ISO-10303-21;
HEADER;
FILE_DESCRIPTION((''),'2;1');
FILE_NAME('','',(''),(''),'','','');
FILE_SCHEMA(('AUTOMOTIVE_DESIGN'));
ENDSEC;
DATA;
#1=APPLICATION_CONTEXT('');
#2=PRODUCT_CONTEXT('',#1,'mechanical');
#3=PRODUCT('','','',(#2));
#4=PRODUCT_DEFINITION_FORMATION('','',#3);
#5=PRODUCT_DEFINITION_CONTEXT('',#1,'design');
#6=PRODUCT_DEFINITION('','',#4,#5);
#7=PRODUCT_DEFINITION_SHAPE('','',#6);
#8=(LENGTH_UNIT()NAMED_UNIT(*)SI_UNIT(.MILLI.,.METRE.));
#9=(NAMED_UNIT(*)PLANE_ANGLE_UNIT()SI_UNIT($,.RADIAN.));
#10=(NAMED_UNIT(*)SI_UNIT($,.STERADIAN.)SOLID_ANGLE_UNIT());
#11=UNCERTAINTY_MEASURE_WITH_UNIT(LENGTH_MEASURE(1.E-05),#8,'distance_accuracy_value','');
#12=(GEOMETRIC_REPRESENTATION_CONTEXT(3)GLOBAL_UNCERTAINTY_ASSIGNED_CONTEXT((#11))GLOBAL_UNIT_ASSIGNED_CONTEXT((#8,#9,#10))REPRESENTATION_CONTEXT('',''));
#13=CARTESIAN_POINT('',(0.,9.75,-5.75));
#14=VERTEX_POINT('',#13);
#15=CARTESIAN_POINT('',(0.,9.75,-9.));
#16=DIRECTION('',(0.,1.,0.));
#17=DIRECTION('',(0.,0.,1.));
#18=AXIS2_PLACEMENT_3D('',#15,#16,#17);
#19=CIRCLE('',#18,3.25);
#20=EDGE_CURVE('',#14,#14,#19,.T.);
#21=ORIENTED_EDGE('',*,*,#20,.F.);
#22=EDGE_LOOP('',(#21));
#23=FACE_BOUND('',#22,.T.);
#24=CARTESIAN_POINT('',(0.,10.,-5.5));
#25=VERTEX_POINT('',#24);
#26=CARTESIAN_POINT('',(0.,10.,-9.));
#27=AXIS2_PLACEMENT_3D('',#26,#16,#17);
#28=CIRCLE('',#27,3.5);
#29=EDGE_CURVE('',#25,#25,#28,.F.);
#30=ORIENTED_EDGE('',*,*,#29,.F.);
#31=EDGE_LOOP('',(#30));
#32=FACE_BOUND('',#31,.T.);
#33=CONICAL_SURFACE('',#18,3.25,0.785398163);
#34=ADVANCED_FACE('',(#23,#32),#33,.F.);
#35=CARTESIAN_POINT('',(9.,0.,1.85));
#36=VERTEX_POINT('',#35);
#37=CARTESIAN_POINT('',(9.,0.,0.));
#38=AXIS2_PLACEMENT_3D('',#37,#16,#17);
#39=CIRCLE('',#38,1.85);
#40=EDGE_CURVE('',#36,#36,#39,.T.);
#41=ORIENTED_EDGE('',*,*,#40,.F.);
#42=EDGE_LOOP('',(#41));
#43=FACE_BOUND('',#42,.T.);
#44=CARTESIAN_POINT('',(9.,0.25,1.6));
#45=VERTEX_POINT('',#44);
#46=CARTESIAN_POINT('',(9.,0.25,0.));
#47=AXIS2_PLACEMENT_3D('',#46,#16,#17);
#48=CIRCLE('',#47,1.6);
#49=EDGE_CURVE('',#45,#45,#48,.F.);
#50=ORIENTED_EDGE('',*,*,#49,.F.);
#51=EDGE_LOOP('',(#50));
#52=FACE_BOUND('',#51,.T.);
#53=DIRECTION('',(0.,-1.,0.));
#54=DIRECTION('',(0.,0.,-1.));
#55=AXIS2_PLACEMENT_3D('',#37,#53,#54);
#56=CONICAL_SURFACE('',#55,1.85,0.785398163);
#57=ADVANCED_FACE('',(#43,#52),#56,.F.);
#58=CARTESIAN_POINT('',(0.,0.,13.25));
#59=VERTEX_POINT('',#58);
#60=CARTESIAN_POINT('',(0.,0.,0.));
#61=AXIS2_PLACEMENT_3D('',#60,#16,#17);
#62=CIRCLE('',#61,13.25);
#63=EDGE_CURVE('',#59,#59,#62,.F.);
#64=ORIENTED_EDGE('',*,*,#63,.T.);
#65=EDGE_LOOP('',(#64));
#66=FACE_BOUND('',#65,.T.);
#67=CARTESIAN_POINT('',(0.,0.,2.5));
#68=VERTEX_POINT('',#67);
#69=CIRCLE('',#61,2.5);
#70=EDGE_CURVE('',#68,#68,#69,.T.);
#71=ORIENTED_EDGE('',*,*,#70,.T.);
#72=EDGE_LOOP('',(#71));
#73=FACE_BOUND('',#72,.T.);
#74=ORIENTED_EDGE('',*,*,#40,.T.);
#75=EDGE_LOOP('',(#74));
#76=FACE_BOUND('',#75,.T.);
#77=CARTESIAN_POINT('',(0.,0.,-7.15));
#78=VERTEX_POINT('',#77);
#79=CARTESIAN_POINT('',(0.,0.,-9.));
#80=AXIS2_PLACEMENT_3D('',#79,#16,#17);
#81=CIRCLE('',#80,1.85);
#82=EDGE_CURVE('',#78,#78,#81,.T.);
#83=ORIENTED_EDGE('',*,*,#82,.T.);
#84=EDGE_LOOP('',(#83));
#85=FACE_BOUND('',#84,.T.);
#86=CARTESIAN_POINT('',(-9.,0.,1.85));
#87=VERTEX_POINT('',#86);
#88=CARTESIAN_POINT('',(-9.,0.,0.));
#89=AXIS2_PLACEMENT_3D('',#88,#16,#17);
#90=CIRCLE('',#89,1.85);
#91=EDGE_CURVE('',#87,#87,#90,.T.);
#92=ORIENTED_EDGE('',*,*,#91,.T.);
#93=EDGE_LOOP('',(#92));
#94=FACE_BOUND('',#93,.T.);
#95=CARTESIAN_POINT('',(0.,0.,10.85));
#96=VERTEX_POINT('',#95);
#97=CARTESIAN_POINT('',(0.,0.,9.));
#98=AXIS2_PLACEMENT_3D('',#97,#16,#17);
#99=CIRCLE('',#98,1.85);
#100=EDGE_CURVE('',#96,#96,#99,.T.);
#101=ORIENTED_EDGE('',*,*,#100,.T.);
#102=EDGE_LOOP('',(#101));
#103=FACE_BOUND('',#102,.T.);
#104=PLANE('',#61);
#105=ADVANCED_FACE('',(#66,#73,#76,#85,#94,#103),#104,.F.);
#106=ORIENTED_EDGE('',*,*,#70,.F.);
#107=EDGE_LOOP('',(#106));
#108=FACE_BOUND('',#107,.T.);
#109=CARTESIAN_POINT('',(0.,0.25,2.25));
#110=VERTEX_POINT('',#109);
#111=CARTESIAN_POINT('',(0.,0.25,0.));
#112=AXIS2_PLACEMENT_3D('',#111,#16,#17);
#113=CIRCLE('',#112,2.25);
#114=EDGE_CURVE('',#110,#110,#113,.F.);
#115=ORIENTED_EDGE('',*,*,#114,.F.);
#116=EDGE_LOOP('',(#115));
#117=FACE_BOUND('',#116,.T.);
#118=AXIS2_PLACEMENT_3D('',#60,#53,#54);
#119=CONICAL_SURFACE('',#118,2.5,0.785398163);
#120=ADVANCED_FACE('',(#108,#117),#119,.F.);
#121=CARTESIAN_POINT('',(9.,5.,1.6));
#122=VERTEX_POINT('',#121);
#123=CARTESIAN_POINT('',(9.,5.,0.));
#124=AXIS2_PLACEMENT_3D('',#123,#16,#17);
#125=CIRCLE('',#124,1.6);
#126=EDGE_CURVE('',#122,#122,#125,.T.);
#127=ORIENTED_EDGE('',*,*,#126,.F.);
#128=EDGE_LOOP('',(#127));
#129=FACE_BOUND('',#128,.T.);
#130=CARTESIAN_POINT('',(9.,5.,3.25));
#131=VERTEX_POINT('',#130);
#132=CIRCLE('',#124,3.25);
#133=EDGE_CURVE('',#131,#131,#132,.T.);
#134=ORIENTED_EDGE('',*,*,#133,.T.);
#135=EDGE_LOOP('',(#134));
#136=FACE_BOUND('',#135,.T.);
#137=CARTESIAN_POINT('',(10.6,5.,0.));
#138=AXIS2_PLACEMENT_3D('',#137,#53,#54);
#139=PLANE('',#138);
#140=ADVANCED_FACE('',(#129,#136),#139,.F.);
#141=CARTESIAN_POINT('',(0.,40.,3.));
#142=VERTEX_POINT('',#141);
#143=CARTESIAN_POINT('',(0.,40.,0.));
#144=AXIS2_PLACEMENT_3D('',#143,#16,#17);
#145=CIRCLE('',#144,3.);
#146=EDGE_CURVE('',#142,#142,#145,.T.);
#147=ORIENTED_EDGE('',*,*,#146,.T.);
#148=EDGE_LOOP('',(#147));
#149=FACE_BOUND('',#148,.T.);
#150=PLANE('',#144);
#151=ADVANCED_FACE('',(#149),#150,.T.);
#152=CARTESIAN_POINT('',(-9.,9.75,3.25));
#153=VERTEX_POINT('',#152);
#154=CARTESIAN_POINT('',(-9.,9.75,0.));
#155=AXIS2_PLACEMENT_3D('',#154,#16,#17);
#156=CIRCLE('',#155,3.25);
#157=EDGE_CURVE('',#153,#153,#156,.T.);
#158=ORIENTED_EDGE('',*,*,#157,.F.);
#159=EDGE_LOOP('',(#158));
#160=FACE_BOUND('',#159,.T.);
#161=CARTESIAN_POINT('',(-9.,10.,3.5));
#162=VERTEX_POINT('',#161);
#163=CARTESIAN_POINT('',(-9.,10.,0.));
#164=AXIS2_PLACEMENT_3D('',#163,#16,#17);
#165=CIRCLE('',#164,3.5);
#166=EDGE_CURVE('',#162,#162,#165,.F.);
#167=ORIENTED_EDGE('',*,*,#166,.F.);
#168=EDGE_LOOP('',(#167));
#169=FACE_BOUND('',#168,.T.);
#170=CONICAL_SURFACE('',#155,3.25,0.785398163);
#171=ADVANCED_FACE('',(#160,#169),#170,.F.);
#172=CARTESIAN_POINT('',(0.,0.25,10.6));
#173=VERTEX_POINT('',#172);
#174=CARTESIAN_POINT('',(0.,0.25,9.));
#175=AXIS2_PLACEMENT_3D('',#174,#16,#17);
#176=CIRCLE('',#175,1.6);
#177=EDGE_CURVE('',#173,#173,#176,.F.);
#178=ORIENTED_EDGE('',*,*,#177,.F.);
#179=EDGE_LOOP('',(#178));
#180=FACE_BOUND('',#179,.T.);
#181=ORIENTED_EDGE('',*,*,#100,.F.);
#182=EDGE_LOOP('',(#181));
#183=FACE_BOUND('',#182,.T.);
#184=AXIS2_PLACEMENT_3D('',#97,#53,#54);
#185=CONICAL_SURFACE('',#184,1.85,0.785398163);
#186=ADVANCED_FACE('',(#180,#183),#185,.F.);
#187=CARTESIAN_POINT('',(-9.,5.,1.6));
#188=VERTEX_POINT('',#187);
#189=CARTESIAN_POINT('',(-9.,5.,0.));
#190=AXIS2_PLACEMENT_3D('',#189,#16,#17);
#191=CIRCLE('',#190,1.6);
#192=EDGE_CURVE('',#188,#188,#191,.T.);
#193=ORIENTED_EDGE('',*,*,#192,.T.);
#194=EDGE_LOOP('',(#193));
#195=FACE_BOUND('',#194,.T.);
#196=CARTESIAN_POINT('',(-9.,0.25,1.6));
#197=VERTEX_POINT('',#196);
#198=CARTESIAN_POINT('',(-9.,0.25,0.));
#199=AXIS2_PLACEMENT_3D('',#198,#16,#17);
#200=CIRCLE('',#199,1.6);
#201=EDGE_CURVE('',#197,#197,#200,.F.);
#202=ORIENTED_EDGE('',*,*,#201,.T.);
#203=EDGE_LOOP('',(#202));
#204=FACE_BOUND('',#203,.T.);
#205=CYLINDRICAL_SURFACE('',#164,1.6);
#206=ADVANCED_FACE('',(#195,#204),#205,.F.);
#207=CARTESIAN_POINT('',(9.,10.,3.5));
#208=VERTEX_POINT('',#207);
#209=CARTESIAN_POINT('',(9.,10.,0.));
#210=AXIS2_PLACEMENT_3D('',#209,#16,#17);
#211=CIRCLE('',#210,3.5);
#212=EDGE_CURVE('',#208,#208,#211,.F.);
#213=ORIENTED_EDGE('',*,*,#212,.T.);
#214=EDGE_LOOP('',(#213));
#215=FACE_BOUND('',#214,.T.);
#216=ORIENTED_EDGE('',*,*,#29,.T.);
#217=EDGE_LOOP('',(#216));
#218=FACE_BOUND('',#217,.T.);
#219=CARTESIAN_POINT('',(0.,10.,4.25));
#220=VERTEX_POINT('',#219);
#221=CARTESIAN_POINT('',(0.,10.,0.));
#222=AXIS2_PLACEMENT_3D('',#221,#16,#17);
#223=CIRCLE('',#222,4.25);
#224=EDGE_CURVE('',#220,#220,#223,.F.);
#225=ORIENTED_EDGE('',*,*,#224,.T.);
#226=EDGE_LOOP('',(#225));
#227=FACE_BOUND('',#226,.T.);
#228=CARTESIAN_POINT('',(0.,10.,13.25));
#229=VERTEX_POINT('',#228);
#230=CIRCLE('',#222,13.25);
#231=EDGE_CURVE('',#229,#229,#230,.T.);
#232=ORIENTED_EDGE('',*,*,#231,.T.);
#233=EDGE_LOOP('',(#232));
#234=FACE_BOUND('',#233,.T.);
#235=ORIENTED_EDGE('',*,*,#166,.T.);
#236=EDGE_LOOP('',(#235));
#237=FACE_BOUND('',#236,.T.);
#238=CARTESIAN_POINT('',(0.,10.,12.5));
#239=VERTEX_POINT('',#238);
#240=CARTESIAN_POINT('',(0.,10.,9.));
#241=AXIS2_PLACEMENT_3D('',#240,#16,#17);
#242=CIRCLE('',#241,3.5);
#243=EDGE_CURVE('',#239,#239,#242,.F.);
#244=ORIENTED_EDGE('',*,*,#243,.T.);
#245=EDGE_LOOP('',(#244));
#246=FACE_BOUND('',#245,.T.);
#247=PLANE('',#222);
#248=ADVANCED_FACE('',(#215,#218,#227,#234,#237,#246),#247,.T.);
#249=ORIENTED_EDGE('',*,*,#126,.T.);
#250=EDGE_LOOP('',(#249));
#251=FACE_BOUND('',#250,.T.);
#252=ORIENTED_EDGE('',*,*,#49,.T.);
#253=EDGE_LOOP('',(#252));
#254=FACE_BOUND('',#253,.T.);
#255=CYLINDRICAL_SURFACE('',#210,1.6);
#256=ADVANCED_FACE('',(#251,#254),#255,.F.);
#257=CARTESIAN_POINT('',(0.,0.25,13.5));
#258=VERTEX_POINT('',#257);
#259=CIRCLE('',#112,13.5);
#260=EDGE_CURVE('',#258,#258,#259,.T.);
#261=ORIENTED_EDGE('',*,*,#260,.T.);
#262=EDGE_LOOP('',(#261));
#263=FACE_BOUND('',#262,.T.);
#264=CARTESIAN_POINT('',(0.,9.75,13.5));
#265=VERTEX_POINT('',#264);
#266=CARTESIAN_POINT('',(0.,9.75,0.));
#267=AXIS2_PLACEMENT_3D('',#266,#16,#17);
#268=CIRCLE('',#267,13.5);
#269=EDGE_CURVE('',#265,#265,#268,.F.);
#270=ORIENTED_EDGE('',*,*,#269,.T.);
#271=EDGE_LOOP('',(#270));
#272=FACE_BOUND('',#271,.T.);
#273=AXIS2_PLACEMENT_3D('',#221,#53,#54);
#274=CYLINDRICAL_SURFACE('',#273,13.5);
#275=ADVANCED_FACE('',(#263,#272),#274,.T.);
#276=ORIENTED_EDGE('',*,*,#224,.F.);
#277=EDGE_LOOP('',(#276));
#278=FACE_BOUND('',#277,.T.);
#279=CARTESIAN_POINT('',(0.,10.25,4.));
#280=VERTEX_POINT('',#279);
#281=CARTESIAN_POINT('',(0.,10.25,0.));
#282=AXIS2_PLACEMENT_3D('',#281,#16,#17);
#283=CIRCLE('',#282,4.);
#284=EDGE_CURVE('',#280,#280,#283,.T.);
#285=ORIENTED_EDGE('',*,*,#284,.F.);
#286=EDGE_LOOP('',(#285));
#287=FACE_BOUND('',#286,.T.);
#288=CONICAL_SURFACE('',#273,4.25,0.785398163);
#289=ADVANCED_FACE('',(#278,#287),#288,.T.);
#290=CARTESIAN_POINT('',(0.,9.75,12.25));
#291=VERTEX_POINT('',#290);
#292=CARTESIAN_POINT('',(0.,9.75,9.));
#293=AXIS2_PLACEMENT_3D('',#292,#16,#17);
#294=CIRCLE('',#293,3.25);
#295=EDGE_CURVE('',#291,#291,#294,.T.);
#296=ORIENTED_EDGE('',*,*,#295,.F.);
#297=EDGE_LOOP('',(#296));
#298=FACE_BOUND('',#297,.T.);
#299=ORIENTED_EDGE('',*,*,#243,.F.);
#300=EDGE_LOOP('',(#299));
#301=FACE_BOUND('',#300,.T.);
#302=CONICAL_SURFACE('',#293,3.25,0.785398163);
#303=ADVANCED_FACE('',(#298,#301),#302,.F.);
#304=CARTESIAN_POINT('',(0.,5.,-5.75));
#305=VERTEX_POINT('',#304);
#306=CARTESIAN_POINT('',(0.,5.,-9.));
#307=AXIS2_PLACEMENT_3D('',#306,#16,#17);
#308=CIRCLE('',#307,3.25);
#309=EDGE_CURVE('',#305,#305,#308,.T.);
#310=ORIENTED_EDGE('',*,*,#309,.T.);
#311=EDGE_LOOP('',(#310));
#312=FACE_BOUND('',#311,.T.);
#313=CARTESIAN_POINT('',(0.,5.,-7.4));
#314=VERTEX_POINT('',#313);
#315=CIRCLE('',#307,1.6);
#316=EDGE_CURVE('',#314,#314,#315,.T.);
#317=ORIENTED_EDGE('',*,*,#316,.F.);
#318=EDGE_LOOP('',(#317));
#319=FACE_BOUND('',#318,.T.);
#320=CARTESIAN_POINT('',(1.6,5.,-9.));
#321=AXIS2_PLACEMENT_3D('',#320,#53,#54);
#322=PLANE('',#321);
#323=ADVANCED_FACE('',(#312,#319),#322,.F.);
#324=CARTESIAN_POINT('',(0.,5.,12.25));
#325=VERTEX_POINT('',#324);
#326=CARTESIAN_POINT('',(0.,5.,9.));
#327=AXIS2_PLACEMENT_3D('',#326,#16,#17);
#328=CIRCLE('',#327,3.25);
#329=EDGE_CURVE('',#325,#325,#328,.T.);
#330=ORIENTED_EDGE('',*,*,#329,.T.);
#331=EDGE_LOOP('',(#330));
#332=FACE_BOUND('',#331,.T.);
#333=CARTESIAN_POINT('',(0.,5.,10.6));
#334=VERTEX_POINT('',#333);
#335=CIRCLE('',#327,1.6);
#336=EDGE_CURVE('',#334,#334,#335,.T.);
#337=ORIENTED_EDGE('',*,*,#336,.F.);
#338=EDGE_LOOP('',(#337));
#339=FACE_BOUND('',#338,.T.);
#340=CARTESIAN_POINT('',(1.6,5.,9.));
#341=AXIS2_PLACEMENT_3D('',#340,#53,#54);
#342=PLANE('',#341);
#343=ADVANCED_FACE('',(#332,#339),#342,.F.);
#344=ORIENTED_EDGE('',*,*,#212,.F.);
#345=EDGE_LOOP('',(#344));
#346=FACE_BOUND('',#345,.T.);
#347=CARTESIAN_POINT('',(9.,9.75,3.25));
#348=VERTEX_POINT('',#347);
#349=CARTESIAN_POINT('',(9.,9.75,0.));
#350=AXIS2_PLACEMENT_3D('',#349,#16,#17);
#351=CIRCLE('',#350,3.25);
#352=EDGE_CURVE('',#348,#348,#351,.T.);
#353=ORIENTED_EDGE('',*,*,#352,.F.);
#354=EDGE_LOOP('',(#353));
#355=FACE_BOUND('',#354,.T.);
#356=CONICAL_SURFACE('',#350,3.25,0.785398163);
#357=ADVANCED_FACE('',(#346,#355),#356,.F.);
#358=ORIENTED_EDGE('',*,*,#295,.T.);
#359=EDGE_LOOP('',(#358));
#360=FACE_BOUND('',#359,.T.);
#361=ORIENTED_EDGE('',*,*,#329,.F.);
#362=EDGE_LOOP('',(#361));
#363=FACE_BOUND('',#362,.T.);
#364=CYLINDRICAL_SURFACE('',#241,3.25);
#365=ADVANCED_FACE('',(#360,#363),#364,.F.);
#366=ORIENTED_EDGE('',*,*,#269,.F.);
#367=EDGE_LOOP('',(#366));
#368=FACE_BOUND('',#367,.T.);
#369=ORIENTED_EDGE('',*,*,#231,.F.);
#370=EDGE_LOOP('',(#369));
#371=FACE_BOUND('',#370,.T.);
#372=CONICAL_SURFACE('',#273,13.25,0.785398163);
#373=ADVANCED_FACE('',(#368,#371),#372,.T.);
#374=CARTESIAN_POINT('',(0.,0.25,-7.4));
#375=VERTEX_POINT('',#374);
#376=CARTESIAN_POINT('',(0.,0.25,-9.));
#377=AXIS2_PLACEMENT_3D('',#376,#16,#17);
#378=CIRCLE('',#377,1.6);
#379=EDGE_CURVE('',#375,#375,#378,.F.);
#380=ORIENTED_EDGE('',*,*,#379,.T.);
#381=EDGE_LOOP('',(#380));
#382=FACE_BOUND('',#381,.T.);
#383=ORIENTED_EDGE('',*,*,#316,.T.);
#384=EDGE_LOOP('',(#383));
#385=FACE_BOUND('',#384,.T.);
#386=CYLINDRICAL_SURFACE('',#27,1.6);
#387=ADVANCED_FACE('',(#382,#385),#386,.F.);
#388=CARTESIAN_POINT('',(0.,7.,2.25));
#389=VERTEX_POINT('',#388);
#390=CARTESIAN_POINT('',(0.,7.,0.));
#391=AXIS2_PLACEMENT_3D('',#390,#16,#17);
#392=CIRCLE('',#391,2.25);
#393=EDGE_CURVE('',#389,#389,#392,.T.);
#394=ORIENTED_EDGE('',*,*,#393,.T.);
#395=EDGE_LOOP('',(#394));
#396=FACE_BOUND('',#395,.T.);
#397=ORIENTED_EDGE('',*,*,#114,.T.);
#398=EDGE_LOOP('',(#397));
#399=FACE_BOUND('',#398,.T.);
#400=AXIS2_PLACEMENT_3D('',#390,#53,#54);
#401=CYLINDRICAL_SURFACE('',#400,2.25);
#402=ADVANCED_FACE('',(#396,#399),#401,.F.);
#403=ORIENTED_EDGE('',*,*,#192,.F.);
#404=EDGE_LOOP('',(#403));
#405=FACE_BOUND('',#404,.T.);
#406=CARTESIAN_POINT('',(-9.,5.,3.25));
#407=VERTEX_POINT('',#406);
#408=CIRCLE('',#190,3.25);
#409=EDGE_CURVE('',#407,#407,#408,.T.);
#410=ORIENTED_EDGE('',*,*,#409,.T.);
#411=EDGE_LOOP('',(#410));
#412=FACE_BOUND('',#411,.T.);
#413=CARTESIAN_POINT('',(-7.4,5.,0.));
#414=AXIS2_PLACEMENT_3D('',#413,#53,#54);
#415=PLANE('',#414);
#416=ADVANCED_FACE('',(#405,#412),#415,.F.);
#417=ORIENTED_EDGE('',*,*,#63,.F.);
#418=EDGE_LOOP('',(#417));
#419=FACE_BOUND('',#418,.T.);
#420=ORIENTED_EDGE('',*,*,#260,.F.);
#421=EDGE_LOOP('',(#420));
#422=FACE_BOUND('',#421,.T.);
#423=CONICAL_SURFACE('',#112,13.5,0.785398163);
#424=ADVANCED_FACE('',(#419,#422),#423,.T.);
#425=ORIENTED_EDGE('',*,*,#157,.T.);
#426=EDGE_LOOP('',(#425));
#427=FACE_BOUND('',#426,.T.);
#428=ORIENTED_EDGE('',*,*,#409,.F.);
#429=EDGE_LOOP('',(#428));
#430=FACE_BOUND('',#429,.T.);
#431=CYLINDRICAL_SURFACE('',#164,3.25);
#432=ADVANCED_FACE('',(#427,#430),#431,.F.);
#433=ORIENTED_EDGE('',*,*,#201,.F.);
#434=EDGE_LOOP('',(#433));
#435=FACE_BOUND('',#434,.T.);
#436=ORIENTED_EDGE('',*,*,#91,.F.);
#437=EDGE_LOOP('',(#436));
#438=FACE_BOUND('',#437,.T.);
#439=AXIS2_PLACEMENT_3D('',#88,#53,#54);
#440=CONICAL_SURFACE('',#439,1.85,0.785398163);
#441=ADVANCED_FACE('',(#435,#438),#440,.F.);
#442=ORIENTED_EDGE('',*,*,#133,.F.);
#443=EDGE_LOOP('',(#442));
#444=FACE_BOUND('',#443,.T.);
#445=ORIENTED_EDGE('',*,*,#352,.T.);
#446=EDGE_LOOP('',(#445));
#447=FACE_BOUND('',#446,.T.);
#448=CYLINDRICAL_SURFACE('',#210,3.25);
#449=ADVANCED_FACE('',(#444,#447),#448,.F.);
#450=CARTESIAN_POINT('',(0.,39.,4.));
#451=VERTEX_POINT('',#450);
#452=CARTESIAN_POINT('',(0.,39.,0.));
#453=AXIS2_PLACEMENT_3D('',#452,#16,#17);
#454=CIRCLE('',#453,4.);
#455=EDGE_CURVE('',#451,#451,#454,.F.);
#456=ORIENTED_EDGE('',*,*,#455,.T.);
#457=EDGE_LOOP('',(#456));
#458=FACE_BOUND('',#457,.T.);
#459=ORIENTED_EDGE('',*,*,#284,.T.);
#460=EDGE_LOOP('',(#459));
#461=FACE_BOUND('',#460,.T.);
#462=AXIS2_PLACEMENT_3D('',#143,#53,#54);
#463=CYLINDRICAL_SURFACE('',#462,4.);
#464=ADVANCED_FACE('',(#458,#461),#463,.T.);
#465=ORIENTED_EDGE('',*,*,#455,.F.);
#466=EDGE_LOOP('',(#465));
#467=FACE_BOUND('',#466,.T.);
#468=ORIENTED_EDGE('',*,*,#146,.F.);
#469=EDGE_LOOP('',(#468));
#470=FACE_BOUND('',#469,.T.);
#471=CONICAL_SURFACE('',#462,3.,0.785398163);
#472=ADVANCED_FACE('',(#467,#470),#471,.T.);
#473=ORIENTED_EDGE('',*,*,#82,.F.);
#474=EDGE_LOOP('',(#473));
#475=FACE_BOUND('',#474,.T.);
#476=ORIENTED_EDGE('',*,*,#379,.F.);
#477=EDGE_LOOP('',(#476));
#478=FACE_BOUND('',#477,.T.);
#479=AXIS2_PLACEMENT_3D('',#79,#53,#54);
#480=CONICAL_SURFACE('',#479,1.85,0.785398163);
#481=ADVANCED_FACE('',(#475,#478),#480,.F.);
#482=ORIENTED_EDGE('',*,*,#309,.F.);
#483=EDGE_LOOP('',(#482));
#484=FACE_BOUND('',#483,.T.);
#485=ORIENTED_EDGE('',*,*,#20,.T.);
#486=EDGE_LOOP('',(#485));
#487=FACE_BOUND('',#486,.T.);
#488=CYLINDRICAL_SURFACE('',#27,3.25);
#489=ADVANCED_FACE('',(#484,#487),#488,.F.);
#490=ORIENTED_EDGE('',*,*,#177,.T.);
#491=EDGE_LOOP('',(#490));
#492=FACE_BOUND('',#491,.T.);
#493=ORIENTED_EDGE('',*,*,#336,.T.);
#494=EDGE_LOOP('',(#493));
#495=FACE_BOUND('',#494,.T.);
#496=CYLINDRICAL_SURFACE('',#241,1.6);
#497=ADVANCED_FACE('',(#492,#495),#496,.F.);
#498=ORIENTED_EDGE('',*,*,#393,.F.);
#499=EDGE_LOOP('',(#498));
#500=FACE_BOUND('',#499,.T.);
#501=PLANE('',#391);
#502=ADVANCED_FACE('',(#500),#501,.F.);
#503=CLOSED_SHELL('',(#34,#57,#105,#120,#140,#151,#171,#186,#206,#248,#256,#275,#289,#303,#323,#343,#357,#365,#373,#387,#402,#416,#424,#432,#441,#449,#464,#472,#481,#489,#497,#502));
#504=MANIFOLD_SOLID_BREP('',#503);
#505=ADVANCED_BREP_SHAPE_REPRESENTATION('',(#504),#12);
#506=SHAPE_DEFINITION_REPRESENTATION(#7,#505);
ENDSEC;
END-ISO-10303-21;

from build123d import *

# Parameters (mm, degrees)
SKETCH2_R                      = 13.5
BOSS_EXTRUDE1_DEPTH            = 10
SKETCH3_R                      = 4
BOSS_EXTRUDE2_DEPTH            = 40
CBORE_FOR_M3_SHCS1_D           = 3.2
CBORE_FOR_M3_SHCS1_CBORE_D     = 6.5
CBORE_FOR_M3_SHCS1_CBORE_DEPTH = 5
SKETCH10_R                     = 2.25
CUT_EXTRUDE3_DEPTH             = 7
CHAMFER1_SIZE                  = 0.25
CHAMFER2_SIZE                  = 1


with BuildPart() as part:
    # Sketch2 → Boss-Extrude1 (new body)
    with BuildSketch(Plane(origin=(0, 0, 0), x_dir=(1, 0, 0), z_dir=(0, 1, 0))):
        with Locations(Location((0, 0, 0), (0, 0, 270))):
            Circle(SKETCH2_R)
    extrude(amount=BOSS_EXTRUDE1_DEPTH)

    # Sketch3 → Boss-Extrude2 (add)
    with BuildSketch(Plane(origin=(0, 0, 0), x_dir=(1, 0, 0), z_dir=(0, 1, 0))):
        with Locations(Location((0, 0, 0), (0, 0, 270))):
            Circle(SKETCH3_R)
    extrude(amount=BOSS_EXTRUDE2_DEPTH)

    # CBORE for M3 SHCS1 (through all)
    with Locations(Plane(origin=(0, 10, 0), x_dir=(1, 0, 0), z_dir=(0, 1, 0))):
        with Locations((-9, 0), (9, 0), (0, 9), (0, -9)):
            CounterBoreHole(CBORE_FOR_M3_SHCS1_D / 2, CBORE_FOR_M3_SHCS1_CBORE_D / 2, CBORE_FOR_M3_SHCS1_CBORE_DEPTH)

    # Sketch10 → Cut-Extrude3 (cut)
    with BuildSketch(Plane(origin=(0, 0, 0), x_dir=(1, 0, 0), z_dir=(0, 1, 0))):
        with Locations(Location((0, 0, 0), (0, 0, 270))):
            Circle(SKETCH10_R)
    extrude(amount=CUT_EXTRUDE3_DEPTH, mode=Mode.SUBTRACT)

    # Chamfer1
    chamfer1_edges = [part.edges().sort_by_distance(p)[0] for p in [
        (-3.25, 10, 9),
        (0, 0, -13.5),
        (1.6, 0, 9),
        (5.75, 10, 0),
        (10.6, 0, 0),
        (-3.25, 10, -9),
        (1.6, 0, -9),
        (-12.25, 10, 0),
        (-7.4, 0, 0),
        (0, 10, -13.5),
        (0, 0, -2.25),
        (0, 10, -4),
    ]]
    chamfer(chamfer1_edges, length=CHAMFER1_SIZE)

    # Chamfer2
    chamfer2_edges = [part.edges().sort_by_distance(p)[0] for p in [
        (0, 40, -4),
    ]]
    chamfer(chamfer2_edges, length=CHAMFER2_SIZE)


solid = part.part
